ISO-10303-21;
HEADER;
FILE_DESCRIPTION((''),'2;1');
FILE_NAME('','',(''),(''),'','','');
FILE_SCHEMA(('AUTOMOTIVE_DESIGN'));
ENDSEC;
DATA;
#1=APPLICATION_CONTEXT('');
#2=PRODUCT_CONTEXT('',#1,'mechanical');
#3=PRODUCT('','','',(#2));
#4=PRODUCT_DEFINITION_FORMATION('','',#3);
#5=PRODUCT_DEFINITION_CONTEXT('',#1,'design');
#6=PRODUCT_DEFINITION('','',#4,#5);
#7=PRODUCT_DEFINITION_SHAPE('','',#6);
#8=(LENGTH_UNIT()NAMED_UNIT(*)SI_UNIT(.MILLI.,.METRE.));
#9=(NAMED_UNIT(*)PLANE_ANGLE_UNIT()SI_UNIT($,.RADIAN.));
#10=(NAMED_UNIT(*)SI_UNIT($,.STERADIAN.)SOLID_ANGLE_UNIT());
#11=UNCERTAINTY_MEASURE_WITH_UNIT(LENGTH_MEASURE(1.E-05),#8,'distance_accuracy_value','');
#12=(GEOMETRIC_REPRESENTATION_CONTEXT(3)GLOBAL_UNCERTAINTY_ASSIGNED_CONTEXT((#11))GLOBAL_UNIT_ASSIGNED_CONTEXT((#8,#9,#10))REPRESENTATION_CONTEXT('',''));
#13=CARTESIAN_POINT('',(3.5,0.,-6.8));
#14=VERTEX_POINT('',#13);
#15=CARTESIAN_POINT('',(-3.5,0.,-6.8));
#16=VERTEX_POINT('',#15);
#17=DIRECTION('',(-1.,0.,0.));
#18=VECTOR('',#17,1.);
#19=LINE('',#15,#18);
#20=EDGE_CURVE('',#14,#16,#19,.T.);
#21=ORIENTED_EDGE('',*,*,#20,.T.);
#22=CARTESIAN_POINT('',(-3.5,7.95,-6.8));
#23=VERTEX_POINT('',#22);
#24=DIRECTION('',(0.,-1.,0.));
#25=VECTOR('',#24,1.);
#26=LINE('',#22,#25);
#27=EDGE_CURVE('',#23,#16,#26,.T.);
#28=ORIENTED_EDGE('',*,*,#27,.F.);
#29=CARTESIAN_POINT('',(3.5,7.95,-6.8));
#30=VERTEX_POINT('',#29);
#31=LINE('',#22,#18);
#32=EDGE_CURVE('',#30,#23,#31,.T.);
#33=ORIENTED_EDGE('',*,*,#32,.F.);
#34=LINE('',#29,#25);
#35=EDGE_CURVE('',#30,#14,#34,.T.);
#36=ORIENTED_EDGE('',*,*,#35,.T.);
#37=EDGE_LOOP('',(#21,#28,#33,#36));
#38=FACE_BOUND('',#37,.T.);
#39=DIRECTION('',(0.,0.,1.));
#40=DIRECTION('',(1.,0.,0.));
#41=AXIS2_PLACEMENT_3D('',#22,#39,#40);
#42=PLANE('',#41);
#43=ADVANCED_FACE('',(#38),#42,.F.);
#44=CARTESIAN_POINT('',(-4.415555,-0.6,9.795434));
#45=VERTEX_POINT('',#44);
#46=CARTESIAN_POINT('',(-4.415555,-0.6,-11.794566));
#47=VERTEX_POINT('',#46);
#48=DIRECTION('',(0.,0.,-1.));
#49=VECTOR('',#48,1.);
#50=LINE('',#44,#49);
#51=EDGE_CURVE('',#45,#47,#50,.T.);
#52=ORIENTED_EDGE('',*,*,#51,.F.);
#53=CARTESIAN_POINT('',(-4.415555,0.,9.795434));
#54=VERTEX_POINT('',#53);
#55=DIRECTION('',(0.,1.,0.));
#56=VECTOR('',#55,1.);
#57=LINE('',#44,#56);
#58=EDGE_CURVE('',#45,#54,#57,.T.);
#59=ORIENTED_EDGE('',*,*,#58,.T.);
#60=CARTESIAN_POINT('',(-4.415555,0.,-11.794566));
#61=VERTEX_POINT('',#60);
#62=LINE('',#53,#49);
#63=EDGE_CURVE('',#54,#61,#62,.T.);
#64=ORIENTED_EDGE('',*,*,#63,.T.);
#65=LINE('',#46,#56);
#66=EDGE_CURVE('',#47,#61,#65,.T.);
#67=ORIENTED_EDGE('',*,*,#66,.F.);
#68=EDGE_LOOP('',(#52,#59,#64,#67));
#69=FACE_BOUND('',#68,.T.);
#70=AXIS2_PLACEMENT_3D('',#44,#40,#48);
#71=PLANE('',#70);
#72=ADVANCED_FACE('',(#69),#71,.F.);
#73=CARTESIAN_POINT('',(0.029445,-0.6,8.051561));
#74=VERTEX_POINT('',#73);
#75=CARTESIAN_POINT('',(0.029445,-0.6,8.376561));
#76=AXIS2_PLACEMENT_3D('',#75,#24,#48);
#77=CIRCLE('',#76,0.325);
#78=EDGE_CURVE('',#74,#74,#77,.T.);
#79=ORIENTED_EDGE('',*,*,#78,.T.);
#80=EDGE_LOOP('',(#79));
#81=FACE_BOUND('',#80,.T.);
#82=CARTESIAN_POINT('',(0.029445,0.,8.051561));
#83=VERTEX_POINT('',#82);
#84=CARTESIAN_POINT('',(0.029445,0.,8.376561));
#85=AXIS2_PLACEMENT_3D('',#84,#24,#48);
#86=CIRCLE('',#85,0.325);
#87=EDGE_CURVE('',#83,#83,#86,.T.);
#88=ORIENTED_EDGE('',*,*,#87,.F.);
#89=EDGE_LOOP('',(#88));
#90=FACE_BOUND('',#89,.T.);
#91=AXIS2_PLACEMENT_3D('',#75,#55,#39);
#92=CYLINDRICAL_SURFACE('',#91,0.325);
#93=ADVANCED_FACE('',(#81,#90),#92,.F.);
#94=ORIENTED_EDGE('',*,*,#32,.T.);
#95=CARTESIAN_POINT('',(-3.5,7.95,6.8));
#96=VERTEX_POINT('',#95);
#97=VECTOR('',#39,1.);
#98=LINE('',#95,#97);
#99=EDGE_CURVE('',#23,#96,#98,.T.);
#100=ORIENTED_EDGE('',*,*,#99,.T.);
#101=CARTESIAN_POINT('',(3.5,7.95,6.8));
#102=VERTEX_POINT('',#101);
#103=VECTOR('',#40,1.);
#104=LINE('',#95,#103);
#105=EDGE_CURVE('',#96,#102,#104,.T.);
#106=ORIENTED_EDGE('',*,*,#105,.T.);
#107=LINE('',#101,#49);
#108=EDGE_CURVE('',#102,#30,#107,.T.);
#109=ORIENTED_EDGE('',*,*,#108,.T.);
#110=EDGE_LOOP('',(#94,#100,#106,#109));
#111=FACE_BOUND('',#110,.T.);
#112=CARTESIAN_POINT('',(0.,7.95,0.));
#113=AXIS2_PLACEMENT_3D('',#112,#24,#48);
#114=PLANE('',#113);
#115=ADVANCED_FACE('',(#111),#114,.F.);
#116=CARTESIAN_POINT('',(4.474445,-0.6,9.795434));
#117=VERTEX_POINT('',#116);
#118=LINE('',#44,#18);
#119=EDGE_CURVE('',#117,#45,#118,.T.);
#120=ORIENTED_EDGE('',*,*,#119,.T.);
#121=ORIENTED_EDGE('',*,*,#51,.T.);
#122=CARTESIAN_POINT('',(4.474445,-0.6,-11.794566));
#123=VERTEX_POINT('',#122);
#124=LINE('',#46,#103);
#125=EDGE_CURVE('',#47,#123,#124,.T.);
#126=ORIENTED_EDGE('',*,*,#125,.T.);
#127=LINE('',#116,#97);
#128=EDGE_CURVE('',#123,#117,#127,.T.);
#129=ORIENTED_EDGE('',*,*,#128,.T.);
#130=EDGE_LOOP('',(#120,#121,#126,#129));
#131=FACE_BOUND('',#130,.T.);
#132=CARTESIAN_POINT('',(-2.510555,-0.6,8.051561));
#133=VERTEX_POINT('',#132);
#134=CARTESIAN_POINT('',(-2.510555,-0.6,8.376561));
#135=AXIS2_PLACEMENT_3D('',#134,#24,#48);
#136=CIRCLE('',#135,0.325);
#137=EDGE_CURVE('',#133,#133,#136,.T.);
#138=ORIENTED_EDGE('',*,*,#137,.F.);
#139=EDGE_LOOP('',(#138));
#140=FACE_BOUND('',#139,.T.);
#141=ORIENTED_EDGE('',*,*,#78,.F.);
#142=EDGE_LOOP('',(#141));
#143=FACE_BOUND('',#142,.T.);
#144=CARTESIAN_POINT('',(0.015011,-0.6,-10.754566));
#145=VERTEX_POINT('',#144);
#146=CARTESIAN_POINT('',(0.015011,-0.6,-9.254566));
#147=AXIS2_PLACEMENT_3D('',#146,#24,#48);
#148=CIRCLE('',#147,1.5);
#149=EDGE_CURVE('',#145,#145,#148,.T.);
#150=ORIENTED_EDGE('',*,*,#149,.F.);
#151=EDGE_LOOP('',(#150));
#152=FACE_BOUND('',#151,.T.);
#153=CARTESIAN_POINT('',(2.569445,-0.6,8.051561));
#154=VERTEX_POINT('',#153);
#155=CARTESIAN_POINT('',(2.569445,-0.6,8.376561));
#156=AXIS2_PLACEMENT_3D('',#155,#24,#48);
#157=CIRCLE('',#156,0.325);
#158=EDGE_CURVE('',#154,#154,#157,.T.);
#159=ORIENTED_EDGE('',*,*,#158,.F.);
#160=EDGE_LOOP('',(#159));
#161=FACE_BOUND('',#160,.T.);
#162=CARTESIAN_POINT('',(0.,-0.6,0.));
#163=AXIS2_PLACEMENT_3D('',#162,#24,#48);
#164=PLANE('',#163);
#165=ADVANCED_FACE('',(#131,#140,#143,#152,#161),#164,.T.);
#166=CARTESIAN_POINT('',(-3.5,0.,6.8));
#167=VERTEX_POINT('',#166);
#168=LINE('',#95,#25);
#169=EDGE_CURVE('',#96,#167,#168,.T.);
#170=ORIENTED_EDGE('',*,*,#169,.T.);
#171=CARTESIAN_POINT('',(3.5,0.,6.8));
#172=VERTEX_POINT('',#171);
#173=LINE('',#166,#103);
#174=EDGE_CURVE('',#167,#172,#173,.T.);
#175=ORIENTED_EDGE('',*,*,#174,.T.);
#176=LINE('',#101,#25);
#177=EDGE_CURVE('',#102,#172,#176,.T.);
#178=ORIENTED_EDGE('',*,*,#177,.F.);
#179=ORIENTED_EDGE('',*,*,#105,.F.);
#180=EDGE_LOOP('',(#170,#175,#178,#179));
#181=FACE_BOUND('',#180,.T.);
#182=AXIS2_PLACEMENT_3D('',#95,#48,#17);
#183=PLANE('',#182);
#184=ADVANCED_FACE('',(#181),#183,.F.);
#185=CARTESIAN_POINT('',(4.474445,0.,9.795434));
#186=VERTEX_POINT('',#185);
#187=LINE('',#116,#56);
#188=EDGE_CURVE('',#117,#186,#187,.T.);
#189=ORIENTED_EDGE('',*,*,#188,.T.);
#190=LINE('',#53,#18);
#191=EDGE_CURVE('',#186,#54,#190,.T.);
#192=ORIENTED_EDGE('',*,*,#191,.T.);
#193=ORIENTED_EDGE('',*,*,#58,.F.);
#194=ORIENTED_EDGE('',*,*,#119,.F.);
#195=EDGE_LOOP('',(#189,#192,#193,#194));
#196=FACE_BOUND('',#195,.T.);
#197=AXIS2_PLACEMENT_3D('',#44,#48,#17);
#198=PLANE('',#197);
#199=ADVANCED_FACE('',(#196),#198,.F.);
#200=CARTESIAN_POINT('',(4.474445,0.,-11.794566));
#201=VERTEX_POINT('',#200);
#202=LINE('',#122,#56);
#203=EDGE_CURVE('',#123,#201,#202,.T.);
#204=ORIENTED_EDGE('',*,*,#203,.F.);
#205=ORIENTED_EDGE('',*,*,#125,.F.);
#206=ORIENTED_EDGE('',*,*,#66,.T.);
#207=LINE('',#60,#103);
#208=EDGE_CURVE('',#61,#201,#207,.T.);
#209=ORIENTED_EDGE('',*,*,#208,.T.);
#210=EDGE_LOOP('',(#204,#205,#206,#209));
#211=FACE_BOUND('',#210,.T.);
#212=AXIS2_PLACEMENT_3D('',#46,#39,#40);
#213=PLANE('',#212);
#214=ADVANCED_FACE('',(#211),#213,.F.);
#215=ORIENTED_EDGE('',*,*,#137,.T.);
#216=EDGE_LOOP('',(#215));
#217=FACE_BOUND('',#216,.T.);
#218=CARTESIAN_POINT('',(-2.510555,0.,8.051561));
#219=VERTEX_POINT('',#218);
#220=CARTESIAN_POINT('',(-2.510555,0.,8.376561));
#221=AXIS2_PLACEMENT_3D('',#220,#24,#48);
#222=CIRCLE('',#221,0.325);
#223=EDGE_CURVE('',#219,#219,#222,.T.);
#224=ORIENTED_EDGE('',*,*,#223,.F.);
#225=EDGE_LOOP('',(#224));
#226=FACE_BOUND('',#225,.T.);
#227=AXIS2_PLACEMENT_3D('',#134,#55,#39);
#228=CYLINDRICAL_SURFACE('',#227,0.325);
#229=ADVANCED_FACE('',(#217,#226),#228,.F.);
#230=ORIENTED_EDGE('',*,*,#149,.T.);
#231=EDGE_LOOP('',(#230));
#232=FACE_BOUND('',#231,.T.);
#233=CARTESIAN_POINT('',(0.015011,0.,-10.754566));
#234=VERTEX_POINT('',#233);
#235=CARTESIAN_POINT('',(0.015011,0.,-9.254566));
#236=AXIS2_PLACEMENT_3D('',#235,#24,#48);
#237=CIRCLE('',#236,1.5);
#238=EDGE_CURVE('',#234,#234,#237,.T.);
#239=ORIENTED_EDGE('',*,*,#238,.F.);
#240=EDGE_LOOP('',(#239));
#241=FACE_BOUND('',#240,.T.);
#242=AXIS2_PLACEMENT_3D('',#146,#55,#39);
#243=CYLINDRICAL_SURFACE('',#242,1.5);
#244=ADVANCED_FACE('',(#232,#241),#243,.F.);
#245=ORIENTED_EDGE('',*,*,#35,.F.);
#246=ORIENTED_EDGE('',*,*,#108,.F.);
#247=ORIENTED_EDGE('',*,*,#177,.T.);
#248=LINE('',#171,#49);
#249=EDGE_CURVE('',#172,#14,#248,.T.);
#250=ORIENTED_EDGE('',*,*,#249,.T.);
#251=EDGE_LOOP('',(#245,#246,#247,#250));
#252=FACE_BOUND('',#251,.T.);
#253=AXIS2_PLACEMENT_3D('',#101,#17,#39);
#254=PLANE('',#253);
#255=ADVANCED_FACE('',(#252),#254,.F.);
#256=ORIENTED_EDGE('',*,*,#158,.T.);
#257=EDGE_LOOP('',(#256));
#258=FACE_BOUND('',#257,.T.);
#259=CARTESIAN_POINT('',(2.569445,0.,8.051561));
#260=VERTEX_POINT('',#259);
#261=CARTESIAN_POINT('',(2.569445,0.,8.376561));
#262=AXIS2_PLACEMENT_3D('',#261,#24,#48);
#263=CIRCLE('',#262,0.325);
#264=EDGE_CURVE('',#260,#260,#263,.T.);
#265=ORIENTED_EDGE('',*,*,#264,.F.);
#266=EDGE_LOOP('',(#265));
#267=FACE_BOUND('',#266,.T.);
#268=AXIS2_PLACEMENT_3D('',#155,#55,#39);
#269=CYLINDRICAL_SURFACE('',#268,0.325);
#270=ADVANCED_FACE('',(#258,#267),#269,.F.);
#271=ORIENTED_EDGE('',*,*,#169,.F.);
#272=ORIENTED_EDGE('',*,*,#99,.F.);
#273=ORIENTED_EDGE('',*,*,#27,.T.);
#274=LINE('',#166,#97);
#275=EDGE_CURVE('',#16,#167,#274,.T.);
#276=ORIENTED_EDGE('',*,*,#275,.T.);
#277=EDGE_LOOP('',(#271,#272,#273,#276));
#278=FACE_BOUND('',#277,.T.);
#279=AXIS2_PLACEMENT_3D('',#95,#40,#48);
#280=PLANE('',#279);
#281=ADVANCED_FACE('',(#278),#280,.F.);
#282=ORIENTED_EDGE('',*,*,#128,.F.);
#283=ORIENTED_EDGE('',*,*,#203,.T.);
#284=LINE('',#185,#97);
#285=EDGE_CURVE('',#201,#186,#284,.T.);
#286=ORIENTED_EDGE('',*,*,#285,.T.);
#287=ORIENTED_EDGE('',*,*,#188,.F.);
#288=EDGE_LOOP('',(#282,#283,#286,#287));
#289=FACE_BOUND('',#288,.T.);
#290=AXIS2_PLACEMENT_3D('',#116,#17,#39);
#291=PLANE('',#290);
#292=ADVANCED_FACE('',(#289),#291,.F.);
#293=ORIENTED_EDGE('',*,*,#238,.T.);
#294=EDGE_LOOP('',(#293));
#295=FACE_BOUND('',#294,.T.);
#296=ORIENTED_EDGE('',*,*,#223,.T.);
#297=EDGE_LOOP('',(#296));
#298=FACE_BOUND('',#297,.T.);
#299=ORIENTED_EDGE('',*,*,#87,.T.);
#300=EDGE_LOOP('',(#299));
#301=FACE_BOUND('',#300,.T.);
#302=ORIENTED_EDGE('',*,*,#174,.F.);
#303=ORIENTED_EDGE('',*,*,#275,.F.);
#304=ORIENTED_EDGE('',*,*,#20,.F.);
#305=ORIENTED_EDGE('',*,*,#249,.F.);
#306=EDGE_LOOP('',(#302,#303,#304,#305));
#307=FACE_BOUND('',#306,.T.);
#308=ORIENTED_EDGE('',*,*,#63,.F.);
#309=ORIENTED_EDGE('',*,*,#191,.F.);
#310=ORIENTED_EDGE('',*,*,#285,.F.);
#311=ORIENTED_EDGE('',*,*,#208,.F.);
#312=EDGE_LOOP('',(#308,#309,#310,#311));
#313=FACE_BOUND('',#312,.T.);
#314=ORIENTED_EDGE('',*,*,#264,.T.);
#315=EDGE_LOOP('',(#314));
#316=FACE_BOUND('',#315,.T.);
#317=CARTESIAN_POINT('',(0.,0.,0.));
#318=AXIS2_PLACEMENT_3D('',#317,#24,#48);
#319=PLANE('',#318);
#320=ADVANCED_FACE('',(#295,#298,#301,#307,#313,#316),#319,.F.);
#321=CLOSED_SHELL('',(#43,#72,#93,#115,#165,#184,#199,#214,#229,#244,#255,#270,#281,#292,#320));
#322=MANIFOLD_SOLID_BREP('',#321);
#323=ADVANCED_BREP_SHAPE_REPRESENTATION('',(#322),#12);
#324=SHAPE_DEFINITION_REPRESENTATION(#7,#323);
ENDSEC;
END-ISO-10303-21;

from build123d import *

# Parameters (mm, degrees)
SKETCH1_W           = 7
SKETCH1_H           = 13.6
BOSS_EXTRUDE1_DEPTH = 7.95
SKETCH2_W           = 8.89
SKETCH2_H           = 21.59
SKETCH2_R           = 1.5
SKETCH2_R_2         = 0.325
BOSS_EXTRUDE2_DEPTH = 0.6


with BuildPart() as part:
    # Sketch1 → Boss-Extrude1 (new body)
    with BuildSketch(Plane(origin=(0, 0, 0), x_dir=(1, 0, 0), z_dir=(0, 1, 0))):
        Rectangle(SKETCH1_W, SKETCH1_H)
    extrude(amount=BOSS_EXTRUDE1_DEPTH)

    # Sketch2 → Boss-Extrude2 (add)
    with BuildSketch(Plane.XZ):
        with Locations((0.029445322, -0.999566393)):
            Rectangle(SKETCH2_W, SKETCH2_H)
        with Locations(Location((0.01501125, -9.254566393, 0), (0, 0, 270))):
            Circle(SKETCH2_R, mode=Mode.SUBTRACT)
        with Locations(Location((0.029445322, 8.376560571, 0), (0, 0, 270))):
            Circle(SKETCH2_R_2, mode=Mode.SUBTRACT)
        with Locations(Location((2.569445322, 8.376560571, 0), (0, 0, 270))):
            Circle(SKETCH2_R_2, mode=Mode.SUBTRACT)
        with Locations(Location((-2.510554678, 8.376560571, 0), (0, 0, 270))):
            Circle(SKETCH2_R_2, mode=Mode.SUBTRACT)
    extrude(amount=BOSS_EXTRUDE2_DEPTH)


solid = part.part
